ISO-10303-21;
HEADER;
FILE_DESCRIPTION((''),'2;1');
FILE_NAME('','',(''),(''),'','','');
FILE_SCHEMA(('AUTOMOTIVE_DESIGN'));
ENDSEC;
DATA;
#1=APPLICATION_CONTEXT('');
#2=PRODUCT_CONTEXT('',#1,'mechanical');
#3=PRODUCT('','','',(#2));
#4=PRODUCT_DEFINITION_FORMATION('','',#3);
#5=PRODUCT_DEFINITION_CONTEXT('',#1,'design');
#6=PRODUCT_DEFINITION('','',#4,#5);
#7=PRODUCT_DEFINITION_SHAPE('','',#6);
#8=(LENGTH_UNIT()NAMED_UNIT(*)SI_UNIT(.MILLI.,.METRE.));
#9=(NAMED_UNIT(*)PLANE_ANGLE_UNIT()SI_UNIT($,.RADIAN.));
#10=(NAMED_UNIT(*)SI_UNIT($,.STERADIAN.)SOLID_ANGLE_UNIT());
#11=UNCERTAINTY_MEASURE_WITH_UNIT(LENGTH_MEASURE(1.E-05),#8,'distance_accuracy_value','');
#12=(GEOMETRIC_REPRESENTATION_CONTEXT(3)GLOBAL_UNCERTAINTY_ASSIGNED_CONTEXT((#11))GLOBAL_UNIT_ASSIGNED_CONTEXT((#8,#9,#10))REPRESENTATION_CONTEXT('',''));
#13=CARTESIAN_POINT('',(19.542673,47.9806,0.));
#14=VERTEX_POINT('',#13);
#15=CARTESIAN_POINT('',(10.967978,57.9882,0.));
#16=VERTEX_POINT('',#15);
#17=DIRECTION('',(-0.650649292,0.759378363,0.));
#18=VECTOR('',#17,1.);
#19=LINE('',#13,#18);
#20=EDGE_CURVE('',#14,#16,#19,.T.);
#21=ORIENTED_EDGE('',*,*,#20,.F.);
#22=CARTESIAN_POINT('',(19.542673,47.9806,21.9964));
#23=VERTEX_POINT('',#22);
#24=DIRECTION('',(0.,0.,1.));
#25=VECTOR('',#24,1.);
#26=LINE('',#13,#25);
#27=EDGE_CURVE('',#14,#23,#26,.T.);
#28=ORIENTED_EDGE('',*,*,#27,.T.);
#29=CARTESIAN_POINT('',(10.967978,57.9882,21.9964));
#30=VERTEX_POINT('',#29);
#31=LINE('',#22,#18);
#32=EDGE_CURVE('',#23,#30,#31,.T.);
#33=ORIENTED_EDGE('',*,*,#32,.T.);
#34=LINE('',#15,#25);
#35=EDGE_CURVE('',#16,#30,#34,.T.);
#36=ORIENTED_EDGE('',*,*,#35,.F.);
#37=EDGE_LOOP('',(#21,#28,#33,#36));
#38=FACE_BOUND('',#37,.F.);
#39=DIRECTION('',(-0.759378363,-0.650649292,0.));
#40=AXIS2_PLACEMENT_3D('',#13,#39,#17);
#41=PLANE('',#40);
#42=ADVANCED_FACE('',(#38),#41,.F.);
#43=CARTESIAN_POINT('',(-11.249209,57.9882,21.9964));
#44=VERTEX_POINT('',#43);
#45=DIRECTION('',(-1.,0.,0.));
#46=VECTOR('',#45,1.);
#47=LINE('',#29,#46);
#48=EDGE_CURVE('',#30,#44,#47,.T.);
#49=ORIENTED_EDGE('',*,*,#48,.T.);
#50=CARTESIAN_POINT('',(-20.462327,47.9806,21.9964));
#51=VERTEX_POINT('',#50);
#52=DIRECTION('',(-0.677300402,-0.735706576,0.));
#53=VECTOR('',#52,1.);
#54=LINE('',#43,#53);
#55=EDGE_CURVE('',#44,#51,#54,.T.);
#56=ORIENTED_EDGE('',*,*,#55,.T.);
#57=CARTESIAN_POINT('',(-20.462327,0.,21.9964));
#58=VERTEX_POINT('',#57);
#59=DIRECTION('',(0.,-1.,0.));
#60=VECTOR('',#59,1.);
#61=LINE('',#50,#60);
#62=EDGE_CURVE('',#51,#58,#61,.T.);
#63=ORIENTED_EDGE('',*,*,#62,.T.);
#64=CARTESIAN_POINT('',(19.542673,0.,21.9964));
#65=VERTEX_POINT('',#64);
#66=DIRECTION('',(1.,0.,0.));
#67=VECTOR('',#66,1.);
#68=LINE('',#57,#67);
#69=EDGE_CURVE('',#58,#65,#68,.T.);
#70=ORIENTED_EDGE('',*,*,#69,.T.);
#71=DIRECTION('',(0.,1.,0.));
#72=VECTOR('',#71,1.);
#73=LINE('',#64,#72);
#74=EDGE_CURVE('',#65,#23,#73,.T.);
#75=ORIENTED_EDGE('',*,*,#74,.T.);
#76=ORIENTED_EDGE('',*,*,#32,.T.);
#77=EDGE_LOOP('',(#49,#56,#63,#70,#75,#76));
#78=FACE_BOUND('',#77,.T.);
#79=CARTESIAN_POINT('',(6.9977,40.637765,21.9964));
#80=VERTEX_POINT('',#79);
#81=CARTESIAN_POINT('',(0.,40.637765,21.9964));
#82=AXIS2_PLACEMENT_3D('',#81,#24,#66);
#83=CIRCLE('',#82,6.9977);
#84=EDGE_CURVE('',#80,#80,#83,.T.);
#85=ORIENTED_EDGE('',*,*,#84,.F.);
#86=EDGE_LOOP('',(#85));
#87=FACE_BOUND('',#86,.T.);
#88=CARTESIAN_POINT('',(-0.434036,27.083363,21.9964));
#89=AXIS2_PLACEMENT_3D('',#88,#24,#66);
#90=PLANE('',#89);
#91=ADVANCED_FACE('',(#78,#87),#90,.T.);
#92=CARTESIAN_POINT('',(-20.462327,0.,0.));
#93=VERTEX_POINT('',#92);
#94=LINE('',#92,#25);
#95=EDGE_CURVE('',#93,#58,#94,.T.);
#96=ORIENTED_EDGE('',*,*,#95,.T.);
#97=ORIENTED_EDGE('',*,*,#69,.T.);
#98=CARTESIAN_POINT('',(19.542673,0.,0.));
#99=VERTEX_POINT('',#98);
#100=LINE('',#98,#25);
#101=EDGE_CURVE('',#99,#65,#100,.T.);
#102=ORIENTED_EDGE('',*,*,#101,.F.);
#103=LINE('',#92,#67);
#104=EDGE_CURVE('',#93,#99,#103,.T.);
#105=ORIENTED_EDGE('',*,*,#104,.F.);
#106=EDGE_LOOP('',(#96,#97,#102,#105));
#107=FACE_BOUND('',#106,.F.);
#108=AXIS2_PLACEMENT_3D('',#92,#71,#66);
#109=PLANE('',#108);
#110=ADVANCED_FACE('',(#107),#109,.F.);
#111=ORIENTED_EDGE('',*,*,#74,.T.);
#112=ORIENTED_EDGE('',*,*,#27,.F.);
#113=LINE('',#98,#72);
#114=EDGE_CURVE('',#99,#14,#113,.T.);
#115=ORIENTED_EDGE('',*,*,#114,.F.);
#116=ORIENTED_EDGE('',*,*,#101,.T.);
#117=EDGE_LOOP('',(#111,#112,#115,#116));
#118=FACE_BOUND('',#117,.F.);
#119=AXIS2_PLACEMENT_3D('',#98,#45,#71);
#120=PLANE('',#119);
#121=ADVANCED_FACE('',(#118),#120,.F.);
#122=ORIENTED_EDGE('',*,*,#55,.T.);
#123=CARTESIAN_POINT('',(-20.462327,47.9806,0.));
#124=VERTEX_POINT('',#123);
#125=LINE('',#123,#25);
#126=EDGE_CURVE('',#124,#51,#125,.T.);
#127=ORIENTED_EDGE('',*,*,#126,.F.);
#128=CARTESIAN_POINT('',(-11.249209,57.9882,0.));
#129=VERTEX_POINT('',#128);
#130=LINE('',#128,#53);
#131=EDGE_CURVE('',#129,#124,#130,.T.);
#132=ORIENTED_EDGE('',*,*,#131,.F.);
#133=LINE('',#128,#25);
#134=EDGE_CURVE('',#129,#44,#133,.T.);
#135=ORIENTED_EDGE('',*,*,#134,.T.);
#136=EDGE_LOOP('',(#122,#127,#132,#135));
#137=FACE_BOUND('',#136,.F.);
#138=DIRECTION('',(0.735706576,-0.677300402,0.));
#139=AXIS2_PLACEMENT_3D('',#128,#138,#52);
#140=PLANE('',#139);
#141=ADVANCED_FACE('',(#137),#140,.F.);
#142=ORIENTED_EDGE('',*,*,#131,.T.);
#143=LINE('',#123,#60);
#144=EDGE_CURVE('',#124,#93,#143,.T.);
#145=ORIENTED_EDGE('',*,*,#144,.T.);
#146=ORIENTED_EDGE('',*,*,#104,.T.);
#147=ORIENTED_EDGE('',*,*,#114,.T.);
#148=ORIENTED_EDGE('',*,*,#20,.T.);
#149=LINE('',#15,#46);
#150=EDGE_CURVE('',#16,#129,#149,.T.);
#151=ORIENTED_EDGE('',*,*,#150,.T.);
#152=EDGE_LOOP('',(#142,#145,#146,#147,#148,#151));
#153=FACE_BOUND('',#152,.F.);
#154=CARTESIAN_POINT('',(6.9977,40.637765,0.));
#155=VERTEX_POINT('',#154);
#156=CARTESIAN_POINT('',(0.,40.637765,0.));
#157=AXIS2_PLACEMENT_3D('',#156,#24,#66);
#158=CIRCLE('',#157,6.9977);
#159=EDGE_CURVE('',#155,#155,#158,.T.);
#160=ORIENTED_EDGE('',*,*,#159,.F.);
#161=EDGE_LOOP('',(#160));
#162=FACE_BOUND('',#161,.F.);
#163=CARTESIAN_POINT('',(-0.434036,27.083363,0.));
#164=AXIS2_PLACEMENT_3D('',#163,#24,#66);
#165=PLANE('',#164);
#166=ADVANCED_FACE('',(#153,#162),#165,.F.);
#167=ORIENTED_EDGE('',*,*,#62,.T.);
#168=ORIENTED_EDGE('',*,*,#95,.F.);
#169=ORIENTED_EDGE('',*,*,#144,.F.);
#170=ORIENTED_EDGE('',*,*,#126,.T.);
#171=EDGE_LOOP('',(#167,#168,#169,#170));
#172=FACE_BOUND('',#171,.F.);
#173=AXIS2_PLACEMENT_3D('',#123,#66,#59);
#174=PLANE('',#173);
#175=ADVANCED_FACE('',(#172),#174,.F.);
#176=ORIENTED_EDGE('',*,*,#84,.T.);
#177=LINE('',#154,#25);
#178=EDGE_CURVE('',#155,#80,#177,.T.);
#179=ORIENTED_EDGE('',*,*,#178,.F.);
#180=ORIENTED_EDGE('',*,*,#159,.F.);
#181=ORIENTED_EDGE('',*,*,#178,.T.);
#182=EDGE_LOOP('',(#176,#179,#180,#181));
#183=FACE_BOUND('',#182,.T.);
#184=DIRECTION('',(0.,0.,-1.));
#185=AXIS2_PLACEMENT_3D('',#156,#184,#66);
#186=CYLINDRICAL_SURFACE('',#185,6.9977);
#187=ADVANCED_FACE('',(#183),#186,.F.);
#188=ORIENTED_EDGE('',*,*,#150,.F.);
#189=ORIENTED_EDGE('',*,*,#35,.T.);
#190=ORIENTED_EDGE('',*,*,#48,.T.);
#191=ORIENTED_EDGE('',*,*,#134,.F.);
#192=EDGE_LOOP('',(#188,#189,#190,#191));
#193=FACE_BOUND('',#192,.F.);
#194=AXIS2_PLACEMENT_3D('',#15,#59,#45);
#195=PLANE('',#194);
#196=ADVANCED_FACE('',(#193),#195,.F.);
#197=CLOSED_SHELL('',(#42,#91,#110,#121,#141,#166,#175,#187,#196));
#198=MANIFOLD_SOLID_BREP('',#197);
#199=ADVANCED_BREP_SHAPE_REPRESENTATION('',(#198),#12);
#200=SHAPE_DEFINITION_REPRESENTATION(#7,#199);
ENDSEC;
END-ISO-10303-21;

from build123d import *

# Parameters (mm, degrees)
F0_R     = 6.9977
F1_DEPTH = 21.9964


with BuildPart() as f1:
    # F0 (on Top) → F1 (new body)
    with BuildSketch(Plane.XY):
        Polygon((-20.462327, 0), (0, 0), (19.542673, 0), (19.542673, 47.9806), (10.967978, 57.9882), (-11.249209, 57.9882), (-20.462327, 47.9806), align=None)
        with Locations((0, 40.637765)):
            Circle(F0_R, mode=Mode.SUBTRACT)
    extrude(amount=F1_DEPTH)


solid = f1.part
